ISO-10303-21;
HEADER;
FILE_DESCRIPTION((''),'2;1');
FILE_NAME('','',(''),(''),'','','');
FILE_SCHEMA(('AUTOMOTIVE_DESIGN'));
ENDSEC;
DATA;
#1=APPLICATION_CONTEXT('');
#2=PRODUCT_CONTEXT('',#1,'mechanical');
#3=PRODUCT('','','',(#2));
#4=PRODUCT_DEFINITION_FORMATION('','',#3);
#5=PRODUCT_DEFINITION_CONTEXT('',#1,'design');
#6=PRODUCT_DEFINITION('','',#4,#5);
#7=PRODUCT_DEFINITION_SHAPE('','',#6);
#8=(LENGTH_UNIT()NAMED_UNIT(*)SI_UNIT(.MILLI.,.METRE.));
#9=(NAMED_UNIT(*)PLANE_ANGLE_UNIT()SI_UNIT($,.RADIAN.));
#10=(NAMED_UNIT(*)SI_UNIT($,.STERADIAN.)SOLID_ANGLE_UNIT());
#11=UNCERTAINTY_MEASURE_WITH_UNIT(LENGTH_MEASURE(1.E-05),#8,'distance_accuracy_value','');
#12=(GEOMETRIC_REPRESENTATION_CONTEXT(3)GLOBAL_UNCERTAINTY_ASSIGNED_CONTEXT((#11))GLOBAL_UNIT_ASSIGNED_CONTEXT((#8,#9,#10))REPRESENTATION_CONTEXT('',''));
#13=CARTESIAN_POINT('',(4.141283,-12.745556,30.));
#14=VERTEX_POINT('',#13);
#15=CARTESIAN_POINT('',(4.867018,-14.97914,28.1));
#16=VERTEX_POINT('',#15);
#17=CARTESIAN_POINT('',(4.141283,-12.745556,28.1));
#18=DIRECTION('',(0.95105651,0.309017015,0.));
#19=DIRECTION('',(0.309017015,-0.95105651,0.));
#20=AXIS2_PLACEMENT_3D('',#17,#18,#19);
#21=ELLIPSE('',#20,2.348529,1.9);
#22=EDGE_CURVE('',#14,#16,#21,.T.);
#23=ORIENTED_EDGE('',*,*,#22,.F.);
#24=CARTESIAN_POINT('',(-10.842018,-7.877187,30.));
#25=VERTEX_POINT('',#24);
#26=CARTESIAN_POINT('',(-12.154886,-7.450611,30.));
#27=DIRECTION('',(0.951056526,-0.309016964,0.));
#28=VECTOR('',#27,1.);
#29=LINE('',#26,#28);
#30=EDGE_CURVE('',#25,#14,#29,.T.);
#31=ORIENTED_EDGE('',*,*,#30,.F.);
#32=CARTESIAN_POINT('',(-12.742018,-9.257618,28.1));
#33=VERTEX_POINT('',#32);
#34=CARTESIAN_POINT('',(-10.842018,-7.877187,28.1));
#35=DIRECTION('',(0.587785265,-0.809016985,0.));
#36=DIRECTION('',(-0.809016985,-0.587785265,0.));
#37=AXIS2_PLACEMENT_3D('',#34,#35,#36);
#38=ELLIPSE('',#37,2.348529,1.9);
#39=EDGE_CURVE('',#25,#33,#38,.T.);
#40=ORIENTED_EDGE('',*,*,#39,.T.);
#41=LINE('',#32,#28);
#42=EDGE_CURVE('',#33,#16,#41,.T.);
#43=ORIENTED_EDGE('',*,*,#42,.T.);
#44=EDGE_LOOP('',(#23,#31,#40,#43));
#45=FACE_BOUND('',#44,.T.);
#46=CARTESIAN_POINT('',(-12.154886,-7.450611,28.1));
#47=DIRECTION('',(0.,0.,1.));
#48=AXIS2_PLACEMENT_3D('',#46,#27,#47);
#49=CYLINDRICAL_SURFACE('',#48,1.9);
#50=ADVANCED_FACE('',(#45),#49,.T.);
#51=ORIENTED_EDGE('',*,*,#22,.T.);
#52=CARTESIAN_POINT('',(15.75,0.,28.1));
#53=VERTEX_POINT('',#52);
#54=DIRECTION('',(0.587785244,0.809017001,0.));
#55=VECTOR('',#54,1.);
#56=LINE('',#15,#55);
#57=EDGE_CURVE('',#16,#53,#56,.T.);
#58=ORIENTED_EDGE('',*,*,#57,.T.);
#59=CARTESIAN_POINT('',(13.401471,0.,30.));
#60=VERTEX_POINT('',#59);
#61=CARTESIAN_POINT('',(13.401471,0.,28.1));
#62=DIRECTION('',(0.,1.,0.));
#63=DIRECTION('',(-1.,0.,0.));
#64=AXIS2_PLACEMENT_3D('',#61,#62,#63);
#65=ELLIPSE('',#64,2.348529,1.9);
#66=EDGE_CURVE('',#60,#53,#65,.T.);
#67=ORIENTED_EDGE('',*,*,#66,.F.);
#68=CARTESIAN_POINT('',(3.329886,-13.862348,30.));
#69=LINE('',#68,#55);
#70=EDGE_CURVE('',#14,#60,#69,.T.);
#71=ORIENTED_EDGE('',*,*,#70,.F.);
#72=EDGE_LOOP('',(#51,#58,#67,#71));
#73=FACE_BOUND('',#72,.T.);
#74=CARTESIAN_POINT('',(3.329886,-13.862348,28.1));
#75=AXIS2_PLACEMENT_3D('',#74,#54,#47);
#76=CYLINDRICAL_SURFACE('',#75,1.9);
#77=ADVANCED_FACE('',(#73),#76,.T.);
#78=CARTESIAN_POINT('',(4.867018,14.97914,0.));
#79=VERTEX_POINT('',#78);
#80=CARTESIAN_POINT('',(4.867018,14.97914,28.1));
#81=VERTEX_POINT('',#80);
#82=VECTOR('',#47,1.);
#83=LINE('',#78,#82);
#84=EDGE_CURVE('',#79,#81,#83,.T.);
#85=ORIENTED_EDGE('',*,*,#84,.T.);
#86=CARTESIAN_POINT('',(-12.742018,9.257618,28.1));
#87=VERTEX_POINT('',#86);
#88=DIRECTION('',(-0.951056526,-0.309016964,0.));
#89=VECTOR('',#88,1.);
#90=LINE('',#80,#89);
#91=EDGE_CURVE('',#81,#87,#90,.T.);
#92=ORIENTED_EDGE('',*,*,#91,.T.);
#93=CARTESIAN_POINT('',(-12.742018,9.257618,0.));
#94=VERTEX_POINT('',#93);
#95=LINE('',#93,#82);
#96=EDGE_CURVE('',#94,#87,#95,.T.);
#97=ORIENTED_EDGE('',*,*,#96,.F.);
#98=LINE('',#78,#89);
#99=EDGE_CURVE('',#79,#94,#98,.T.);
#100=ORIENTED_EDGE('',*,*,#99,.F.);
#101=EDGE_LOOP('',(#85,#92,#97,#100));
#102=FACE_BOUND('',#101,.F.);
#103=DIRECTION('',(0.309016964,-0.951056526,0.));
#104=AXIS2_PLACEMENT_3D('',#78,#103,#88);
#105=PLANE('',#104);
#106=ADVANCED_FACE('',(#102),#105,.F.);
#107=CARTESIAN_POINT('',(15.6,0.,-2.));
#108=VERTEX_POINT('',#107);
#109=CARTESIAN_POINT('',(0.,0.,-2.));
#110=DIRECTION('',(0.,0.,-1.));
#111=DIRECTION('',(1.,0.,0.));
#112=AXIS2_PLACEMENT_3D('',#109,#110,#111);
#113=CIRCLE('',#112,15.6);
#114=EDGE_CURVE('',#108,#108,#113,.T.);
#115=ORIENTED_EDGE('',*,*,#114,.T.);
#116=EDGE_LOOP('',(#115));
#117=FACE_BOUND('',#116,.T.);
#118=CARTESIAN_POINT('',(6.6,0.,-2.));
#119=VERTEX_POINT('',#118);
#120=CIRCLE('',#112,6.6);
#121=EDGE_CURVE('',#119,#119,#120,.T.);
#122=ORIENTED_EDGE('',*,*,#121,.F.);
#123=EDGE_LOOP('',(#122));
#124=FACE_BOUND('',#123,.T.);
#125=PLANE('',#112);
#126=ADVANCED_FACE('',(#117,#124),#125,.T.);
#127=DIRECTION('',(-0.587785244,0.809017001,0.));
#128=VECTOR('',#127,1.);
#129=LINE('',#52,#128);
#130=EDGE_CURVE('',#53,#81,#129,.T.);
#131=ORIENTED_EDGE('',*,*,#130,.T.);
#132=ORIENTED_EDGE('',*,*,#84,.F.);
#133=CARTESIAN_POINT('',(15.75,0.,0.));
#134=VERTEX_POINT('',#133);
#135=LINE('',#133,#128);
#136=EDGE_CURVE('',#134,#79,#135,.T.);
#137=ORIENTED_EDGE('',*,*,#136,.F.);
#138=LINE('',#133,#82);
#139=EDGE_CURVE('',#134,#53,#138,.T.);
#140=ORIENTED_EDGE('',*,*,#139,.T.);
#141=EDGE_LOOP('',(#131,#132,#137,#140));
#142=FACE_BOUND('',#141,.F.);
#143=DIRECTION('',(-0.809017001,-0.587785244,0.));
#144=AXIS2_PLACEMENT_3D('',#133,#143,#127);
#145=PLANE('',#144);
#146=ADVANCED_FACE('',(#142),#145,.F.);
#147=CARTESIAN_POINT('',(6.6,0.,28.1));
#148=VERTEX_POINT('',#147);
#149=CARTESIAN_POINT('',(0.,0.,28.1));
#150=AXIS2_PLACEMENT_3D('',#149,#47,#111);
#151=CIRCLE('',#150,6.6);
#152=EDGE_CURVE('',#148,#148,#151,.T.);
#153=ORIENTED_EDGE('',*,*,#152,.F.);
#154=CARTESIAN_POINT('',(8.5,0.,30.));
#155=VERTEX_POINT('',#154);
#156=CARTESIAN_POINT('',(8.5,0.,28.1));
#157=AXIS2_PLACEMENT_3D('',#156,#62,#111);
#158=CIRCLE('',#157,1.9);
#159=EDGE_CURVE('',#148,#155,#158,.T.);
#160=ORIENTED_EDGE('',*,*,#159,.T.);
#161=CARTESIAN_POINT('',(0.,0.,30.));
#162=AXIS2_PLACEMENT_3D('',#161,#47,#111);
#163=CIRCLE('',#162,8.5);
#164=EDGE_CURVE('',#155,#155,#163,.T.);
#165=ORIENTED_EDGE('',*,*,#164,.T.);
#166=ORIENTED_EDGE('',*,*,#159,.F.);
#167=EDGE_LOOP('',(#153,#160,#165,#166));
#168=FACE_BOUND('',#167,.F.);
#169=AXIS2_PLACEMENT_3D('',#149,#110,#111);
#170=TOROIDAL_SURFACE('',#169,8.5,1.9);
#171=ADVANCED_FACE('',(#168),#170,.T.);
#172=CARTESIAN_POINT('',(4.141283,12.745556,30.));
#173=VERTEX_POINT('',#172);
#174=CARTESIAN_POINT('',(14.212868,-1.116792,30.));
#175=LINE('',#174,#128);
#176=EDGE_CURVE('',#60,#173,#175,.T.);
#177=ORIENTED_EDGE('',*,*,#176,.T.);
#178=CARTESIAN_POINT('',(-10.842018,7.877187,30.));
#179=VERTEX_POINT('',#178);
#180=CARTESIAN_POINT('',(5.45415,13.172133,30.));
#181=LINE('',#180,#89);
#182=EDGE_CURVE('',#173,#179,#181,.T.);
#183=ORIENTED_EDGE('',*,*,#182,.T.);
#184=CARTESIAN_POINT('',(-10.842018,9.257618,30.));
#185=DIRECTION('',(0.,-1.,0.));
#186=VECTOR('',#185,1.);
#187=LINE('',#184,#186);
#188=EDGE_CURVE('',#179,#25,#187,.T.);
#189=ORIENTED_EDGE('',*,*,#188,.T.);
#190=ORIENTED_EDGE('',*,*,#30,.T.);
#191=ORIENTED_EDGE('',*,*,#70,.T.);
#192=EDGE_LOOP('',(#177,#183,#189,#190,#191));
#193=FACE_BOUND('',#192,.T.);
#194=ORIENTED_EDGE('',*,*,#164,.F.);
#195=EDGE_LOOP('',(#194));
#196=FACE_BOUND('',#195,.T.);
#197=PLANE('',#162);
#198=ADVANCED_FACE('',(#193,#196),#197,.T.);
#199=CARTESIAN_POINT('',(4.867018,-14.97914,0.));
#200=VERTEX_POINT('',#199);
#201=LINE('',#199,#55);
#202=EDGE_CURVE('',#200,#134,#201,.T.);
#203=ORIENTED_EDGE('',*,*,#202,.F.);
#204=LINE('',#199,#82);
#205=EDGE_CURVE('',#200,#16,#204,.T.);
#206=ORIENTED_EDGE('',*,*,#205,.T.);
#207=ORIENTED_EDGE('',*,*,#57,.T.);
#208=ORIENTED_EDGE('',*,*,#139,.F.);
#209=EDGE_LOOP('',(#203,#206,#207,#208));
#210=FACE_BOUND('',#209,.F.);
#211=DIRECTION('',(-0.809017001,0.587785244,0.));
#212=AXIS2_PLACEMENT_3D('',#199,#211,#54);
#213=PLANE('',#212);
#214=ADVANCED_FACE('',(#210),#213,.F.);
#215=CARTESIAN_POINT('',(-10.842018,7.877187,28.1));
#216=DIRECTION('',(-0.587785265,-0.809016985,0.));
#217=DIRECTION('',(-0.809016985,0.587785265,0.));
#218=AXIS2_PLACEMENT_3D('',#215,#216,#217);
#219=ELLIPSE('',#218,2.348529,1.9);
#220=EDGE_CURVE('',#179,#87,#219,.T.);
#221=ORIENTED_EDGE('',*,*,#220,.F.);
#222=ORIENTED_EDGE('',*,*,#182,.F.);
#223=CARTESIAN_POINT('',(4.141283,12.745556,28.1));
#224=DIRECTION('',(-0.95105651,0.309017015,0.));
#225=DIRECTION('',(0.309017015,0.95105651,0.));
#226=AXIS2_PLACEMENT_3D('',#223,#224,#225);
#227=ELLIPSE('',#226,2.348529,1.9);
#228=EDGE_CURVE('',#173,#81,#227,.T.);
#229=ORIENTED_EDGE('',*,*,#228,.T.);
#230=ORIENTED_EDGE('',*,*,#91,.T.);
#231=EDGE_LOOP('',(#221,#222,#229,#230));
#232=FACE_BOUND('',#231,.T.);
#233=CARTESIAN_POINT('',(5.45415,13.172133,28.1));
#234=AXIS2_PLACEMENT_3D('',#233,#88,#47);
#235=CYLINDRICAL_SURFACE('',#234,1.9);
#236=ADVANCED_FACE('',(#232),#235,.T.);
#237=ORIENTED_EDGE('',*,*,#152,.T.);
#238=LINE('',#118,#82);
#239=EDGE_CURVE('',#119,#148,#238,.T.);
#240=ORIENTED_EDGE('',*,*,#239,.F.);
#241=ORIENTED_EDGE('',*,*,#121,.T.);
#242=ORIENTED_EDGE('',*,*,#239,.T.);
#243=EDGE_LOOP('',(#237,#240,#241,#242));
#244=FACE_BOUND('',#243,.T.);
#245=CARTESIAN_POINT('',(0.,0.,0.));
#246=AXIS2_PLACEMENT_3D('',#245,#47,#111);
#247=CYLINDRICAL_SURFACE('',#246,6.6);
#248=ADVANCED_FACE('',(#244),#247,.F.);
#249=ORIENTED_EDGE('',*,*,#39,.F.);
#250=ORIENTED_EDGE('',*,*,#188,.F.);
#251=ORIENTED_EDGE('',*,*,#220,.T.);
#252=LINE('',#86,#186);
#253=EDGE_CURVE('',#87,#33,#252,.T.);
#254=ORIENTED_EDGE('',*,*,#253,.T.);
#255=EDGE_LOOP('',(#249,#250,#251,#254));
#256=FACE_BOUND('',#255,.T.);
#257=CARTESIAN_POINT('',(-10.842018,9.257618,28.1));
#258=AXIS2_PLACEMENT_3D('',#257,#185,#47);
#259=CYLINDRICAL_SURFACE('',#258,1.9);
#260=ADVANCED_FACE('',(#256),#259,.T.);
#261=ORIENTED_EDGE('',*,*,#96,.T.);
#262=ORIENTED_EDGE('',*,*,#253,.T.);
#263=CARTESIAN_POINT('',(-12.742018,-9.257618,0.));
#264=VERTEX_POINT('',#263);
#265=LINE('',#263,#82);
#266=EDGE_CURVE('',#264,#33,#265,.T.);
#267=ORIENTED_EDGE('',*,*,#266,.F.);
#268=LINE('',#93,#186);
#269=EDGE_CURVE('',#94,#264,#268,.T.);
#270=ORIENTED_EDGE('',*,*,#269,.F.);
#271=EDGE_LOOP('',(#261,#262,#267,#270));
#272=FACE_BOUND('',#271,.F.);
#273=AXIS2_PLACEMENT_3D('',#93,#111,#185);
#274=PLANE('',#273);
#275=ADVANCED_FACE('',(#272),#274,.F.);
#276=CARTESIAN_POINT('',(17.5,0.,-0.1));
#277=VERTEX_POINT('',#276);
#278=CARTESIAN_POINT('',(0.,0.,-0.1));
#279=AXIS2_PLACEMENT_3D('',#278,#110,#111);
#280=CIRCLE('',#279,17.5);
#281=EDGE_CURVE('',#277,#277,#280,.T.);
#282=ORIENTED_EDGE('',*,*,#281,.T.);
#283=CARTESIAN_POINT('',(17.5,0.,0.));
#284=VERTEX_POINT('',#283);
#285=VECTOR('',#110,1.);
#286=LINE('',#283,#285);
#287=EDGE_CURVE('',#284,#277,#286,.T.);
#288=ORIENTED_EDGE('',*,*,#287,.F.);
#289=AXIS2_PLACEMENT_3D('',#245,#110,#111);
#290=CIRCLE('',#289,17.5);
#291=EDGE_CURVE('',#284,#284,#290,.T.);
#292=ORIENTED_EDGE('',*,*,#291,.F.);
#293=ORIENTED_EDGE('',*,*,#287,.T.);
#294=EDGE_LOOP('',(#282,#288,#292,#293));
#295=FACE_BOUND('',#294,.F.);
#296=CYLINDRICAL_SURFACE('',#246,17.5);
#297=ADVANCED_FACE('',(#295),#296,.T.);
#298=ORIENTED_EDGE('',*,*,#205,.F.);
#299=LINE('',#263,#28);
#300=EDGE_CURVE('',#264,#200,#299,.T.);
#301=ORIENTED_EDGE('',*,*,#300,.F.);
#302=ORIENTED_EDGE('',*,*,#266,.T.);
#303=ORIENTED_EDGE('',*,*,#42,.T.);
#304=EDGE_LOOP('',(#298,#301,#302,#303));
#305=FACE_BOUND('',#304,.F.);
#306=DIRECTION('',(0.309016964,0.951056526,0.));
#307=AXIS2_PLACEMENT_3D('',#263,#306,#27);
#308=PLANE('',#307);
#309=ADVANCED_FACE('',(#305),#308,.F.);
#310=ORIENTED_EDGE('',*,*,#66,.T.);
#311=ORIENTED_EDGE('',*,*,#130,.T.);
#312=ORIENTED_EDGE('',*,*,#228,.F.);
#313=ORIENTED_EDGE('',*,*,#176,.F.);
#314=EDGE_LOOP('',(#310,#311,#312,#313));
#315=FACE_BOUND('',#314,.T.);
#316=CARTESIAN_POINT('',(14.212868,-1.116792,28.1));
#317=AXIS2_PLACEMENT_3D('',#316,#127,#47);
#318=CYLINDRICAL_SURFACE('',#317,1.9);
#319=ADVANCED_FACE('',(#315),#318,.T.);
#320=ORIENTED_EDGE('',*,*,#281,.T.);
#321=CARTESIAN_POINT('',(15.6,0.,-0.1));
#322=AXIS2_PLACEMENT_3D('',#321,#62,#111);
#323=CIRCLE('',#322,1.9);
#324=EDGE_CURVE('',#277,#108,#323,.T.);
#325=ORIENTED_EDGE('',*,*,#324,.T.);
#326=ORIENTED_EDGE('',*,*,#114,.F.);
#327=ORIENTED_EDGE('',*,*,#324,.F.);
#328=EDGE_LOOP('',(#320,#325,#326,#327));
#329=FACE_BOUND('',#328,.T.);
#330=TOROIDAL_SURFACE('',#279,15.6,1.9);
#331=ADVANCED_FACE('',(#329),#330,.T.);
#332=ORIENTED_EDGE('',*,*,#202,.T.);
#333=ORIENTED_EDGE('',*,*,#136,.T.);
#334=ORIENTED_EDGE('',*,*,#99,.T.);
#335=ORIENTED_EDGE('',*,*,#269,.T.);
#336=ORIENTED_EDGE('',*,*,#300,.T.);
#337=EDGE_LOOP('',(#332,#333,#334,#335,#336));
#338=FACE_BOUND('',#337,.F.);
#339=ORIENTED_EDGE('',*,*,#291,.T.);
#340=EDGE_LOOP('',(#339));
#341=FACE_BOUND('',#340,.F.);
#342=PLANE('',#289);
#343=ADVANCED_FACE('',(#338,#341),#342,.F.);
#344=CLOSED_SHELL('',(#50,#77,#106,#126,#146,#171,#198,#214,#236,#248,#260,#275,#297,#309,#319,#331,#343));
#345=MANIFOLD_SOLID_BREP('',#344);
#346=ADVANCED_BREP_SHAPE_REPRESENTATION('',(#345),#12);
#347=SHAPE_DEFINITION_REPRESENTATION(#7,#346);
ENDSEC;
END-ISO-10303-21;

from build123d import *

# Parameters (mm, degrees)
SKETCH_R          = 6.6
PAD_DEPTH         = 30
COPYSKETCH001_R   = 17.5
COPYSKETCH001_R_2 = 6.6
PAD001_DEPTH      = 2
FILLET_R          = 1.9


with BuildPart() as part:
    # Sketch → Pad (new body)
    with BuildSketch(Plane.XY):
        Polygon((15.75, 0), (4.867018, 14.97914), (-12.742018, 9.257618), (-12.742018, -9.257618), (4.867018, -14.97914), align=None)
        Circle(SKETCH_R, mode=Mode.SUBTRACT)
    extrude(amount=PAD_DEPTH)

    # CopySketch001 → Pad001 (join)
    with BuildSketch(Plane(origin=(0, 0, 0), x_dir=(1, 0, 0), z_dir=(0, 0, -1))):
        Circle(COPYSKETCH001_R)
        Circle(COPYSKETCH001_R_2, mode=Mode.SUBTRACT)
    extrude(amount=PAD001_DEPTH)

    # Fillet
    fillet_edges = [part.edges().sort_by_distance(p)[0] for p in [
        (10.308509, 7.48957, 30),
        (-3.9375, 12.118379, 30),
        (-12.742018, 0, 30),
        (-3.9375, -12.118379, 30),
        (10.308509, -7.48957, 30),
        (-6.6, 0, 30),
        (-17.5, 0, -2),
    ]]
    fillet(fillet_edges, radius=FILLET_R)


solid = part.part
